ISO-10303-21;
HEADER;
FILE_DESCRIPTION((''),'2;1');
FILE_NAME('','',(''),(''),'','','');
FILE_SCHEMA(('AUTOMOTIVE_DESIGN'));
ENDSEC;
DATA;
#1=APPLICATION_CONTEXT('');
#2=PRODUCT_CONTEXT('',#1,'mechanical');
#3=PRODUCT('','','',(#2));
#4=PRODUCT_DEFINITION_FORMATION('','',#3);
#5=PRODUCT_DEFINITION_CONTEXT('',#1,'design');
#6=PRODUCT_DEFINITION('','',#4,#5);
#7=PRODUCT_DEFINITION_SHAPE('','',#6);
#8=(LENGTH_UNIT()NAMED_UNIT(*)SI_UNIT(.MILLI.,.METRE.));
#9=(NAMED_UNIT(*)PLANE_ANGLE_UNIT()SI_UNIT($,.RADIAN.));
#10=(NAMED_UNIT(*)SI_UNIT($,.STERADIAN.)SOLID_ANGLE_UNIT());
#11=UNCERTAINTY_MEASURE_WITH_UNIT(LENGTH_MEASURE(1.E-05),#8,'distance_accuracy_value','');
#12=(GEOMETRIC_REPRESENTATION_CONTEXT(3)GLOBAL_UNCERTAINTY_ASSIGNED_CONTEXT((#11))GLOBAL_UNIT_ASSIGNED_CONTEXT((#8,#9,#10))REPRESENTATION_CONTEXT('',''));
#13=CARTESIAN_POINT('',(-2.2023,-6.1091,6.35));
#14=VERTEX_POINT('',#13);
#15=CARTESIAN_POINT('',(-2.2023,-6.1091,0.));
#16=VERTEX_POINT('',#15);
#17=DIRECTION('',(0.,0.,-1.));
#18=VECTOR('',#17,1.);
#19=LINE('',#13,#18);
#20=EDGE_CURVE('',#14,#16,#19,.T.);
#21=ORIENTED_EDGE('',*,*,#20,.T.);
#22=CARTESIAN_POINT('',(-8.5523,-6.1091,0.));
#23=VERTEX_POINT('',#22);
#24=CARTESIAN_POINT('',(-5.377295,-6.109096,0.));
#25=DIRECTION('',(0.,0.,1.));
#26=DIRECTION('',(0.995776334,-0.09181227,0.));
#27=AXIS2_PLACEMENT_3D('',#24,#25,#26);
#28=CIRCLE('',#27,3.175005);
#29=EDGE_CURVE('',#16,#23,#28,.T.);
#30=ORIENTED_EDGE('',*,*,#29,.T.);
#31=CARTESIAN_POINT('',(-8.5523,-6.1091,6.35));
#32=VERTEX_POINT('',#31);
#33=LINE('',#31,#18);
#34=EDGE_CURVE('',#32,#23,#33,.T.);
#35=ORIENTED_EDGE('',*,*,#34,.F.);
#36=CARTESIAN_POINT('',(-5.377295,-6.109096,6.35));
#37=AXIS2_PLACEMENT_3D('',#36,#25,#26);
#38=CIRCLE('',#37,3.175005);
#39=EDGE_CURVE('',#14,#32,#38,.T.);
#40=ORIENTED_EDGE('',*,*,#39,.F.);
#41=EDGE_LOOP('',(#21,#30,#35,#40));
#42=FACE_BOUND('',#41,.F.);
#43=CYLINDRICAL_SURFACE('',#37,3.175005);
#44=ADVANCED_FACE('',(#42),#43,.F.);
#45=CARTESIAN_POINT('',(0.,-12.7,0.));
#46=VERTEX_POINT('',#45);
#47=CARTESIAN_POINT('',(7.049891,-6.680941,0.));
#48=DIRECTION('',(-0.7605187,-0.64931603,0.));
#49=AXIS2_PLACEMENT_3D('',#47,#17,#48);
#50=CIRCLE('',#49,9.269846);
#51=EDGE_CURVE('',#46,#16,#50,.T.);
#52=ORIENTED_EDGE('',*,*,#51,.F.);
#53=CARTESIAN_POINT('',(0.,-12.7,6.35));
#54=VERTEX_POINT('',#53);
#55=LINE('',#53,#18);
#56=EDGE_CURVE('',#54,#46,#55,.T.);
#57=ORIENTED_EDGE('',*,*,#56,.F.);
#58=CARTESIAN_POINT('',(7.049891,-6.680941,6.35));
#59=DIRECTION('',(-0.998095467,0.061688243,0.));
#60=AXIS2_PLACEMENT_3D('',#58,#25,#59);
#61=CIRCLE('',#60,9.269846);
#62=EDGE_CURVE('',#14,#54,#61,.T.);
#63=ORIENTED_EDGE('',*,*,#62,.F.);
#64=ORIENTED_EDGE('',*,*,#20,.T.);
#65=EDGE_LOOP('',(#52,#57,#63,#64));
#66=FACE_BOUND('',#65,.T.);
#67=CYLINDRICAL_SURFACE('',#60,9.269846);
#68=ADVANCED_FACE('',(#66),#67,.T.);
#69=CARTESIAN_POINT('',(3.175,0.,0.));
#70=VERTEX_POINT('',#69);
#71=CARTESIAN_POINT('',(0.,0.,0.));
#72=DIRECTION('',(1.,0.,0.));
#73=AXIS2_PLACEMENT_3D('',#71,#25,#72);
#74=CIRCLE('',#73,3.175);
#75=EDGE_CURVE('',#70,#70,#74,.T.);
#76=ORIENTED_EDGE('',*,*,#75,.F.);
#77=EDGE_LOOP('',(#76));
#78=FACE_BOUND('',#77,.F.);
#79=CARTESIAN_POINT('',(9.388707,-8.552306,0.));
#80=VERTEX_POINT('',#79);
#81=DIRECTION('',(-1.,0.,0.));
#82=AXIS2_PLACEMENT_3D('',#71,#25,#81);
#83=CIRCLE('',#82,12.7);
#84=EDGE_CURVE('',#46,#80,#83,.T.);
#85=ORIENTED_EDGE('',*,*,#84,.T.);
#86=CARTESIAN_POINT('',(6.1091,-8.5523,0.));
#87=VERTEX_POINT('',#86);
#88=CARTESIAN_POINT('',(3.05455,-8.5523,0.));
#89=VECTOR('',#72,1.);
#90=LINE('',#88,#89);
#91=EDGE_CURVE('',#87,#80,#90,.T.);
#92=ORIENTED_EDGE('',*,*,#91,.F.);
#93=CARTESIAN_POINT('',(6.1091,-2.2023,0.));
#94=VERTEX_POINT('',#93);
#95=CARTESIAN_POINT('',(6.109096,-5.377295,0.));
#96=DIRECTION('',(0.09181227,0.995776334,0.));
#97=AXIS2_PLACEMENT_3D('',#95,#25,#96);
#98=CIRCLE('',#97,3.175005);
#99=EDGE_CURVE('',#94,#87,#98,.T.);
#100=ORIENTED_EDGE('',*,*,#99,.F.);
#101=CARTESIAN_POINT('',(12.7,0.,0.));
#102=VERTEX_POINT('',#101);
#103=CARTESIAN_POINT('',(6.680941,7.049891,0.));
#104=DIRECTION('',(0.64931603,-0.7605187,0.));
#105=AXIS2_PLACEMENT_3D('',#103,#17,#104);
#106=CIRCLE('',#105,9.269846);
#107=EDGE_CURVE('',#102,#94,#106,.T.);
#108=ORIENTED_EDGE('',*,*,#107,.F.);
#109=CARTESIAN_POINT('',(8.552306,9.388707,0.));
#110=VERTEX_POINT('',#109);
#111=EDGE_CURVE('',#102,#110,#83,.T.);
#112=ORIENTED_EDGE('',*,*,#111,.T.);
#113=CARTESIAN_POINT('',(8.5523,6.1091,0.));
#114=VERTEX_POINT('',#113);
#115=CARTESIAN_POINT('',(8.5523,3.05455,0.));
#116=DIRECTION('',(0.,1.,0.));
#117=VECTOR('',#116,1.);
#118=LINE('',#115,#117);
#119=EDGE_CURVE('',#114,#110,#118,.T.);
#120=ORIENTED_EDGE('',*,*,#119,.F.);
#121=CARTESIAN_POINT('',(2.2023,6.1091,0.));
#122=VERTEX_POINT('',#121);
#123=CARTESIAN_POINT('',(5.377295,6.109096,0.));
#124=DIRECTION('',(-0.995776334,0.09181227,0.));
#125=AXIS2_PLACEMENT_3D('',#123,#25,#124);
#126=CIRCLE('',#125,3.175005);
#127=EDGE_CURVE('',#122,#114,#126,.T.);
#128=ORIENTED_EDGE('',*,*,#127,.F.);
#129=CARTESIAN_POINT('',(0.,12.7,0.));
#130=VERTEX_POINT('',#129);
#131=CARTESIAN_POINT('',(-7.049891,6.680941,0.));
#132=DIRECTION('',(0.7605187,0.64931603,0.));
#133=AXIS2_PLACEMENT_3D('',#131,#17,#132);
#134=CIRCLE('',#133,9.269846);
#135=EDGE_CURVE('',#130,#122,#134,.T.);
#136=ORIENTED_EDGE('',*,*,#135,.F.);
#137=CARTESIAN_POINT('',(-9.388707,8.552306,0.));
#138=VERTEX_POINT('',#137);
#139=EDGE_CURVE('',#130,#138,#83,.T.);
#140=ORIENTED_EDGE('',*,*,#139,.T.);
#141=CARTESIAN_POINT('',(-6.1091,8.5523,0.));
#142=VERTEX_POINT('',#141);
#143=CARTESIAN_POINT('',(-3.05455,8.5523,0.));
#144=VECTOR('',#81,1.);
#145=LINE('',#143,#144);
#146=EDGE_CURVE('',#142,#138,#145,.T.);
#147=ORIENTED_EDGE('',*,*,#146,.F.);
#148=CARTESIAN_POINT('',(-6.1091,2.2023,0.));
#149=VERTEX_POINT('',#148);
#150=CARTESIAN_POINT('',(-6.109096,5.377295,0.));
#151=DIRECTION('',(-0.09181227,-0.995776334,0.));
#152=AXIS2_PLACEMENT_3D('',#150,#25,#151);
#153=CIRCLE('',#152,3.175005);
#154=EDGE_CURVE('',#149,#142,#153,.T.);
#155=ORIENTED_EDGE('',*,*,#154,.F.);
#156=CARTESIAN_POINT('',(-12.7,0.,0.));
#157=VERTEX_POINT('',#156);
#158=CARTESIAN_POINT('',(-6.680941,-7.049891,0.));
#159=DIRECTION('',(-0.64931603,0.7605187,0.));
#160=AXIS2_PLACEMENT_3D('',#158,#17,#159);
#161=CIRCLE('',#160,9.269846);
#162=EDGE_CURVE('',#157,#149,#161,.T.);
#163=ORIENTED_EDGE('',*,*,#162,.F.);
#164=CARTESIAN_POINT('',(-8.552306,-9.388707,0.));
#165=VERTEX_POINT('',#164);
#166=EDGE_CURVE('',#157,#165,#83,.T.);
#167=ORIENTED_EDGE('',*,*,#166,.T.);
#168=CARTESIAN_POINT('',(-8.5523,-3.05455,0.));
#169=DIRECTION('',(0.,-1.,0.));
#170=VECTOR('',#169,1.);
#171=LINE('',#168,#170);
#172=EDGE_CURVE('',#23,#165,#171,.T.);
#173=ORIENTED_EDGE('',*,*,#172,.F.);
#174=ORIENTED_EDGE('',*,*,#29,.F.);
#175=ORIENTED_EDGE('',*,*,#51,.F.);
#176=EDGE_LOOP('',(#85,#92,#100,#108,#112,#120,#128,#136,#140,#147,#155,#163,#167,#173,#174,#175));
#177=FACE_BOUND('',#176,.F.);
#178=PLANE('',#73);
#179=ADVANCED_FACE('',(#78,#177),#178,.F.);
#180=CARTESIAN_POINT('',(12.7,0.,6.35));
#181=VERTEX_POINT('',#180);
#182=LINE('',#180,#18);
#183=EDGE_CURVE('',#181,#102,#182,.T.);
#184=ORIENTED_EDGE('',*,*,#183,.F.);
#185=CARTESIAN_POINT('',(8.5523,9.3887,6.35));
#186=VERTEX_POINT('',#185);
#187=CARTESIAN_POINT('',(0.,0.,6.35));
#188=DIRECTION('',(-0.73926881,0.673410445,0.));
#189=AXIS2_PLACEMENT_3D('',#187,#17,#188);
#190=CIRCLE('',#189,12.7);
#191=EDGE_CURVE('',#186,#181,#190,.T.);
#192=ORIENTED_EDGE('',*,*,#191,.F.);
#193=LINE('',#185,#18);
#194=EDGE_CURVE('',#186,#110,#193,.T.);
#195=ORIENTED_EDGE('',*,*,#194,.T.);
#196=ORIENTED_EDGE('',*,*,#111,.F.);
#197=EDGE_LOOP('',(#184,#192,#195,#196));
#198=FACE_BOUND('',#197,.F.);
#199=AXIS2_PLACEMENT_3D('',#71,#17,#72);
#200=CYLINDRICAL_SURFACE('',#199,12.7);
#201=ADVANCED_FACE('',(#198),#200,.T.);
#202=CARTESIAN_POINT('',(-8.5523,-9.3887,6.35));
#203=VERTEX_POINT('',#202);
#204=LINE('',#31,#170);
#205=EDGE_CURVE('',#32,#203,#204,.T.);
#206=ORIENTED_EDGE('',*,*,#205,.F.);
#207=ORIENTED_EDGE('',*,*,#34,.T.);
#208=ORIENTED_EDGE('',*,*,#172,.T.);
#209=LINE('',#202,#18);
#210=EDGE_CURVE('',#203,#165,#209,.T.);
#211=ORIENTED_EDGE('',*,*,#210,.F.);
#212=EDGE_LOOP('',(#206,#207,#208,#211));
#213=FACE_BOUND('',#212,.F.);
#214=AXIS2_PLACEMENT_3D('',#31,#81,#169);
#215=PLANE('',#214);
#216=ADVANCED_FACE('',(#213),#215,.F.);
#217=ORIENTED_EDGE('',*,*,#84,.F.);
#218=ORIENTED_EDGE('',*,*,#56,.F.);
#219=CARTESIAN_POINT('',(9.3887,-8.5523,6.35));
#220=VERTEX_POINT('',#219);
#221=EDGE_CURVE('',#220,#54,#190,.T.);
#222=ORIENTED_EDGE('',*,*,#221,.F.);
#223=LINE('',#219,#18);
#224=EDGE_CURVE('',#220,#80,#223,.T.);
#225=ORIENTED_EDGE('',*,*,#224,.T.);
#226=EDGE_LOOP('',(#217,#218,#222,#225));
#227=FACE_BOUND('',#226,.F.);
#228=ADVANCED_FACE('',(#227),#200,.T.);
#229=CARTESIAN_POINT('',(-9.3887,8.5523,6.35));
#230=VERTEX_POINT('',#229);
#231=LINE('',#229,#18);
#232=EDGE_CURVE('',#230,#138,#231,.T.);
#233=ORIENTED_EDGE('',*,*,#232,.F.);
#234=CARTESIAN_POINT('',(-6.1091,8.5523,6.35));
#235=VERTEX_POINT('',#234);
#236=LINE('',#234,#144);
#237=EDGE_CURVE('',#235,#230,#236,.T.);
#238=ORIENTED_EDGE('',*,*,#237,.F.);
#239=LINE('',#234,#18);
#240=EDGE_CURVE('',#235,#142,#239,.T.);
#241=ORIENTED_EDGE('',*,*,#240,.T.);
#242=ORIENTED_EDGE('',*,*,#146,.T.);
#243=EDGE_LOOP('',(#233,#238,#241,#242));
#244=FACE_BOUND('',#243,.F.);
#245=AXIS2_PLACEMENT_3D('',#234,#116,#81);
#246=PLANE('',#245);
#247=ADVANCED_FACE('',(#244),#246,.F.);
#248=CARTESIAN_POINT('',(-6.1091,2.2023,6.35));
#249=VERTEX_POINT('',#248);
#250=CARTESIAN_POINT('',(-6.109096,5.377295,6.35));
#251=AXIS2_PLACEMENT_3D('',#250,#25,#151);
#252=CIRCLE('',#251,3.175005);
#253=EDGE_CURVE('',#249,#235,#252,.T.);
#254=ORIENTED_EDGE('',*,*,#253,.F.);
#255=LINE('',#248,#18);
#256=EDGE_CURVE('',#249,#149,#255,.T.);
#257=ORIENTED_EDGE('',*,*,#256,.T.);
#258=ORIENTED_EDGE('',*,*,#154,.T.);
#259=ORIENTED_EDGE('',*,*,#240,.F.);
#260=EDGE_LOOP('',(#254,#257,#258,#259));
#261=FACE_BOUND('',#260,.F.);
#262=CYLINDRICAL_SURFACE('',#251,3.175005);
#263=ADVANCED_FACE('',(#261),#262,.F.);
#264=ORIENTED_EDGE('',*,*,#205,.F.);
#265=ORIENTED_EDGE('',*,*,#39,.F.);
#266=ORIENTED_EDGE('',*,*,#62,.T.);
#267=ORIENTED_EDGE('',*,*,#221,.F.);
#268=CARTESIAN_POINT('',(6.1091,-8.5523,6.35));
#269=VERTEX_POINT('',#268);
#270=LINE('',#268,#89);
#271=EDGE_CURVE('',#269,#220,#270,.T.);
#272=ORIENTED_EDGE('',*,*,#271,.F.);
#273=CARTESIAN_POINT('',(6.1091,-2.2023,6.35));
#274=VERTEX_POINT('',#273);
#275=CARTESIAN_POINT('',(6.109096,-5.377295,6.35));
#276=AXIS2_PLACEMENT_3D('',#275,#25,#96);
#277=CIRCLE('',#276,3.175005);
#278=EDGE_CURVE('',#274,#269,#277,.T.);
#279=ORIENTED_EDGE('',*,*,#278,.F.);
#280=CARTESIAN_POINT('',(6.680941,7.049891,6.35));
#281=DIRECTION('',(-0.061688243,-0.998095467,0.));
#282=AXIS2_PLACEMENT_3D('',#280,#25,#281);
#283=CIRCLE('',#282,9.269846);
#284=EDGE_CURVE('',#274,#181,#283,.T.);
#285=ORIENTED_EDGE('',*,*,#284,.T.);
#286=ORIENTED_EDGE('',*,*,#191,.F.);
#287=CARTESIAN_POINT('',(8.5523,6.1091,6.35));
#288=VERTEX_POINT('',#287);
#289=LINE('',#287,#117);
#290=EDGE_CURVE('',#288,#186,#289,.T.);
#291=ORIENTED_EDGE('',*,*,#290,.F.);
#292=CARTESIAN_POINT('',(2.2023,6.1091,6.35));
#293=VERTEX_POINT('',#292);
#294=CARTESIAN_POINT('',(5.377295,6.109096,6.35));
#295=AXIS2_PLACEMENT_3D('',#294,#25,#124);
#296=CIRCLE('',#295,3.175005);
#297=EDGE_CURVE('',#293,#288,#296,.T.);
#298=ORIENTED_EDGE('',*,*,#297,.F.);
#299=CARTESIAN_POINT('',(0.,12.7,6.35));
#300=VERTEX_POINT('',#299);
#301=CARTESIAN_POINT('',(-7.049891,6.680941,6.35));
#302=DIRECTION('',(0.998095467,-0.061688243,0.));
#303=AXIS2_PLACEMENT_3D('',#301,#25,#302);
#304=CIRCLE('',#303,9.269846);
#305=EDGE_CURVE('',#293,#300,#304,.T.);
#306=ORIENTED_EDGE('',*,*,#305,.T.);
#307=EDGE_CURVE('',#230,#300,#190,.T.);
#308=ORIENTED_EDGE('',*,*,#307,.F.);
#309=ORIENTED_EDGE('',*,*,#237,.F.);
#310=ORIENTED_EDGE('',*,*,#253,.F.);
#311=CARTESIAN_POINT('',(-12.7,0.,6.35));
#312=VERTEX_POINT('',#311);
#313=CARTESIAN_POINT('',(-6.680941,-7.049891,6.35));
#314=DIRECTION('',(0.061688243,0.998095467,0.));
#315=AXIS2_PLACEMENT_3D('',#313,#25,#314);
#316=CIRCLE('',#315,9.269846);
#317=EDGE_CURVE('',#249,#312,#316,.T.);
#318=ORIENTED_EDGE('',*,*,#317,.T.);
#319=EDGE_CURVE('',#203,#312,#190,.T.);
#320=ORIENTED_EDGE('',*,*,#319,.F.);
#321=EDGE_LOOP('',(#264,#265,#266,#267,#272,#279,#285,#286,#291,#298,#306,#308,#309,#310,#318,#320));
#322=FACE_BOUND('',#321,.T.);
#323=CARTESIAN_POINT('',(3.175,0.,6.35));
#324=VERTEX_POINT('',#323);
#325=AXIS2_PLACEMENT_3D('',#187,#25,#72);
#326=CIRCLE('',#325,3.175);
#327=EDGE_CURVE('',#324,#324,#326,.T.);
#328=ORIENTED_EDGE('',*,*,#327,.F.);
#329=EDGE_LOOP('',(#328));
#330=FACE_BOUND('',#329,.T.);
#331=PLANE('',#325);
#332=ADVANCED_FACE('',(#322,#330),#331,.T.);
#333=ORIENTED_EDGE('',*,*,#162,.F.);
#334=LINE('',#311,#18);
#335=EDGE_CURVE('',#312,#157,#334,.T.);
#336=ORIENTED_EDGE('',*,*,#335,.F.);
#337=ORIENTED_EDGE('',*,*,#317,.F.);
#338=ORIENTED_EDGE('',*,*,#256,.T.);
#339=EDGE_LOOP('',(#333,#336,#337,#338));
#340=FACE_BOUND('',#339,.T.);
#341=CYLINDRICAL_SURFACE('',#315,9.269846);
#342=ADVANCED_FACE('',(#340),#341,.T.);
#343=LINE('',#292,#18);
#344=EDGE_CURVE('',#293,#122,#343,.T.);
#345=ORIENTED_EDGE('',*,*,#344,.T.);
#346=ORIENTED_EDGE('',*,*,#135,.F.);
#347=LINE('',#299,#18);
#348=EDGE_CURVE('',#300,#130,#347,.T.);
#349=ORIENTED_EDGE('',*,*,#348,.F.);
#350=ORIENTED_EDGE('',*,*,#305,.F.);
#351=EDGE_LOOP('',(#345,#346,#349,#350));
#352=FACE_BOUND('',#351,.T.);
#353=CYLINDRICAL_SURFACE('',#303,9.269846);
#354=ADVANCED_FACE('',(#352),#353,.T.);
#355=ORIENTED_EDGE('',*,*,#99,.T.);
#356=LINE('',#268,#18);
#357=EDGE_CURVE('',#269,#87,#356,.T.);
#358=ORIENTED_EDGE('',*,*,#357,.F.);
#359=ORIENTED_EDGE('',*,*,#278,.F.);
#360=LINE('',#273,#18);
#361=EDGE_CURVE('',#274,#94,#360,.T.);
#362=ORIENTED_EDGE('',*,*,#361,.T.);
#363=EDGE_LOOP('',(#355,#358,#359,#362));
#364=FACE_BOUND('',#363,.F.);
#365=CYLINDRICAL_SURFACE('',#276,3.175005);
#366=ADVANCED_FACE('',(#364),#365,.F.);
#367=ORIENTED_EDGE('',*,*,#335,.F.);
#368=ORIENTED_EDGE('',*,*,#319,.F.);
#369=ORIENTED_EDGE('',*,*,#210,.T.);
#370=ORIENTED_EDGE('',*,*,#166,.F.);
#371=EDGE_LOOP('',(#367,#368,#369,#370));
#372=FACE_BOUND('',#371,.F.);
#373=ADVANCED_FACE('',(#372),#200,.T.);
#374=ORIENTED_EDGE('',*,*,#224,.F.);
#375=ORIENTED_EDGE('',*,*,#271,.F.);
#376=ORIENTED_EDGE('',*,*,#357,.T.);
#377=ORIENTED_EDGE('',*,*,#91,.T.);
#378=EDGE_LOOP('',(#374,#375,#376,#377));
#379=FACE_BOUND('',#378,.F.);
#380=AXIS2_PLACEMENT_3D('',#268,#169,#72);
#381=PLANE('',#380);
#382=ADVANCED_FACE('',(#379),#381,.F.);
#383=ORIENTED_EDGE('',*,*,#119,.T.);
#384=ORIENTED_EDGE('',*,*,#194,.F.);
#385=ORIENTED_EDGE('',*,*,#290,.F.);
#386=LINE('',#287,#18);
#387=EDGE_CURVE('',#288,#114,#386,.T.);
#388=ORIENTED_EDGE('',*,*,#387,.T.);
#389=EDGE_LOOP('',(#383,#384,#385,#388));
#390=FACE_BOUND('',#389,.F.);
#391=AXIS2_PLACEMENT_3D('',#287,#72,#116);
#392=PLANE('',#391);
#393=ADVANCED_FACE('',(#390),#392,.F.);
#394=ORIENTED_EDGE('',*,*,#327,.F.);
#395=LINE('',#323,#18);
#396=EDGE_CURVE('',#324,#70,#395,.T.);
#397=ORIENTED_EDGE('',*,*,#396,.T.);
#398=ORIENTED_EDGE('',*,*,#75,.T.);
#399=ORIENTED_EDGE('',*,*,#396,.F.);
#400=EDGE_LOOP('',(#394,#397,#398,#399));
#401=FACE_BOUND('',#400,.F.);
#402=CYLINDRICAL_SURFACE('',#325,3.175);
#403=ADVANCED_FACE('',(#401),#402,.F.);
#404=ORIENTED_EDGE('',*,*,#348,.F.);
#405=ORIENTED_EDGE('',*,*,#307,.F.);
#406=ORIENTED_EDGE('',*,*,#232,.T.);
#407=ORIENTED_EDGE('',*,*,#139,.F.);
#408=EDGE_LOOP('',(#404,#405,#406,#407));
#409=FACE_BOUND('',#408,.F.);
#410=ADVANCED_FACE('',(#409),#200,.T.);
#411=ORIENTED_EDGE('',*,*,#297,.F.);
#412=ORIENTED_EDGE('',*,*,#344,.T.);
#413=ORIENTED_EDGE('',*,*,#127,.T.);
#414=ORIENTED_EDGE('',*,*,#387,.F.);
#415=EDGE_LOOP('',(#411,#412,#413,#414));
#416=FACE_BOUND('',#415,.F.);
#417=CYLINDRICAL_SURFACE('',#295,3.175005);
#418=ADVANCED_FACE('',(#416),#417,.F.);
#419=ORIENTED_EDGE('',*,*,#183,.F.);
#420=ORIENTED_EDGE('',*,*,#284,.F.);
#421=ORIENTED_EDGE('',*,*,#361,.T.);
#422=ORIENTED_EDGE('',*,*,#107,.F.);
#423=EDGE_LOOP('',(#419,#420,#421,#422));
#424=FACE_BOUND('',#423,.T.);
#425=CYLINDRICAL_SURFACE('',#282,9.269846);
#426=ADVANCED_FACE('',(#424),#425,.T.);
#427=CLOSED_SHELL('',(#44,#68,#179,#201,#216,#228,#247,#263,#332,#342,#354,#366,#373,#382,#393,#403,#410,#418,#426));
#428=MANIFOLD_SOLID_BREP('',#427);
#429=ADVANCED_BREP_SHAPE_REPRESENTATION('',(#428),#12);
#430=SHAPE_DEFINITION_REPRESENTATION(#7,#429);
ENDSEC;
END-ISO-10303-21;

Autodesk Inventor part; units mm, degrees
ref_plane "YZ Plane" through (0, 0, 0) normal (1, 0, 0) x (0, 1, 0)
ref_plane "XZ Plane" through (0, 0, 0) normal (0, 1, 0) x (-1, 0, 0)
ref_plane "XY Plane" through (0, 0, 0) normal (0, 0, 1) x (1, 0, 0)
sketch "Sketch1" plane through (0, 0, 0) normal (0, 0, 1) x (1, 0, 0)
  circle A0 centre (0, 0) radius 12.7
  dimension "d0" = 25.4
extrude "Extrusion1" add sketch "Sketch1" along normal blind 6.35
sketch "Sketch2" plane through (0, 0, 6.35) normal (0, 0, 1) x (1, 0, 0)
  circle A0 centre (0, 0) radius 12.7 projected
  arc A1 (-6.4006, 2.2157) -> (-6.1091, 8.5523) centre (-6.1091, 5.3773) ccw
  line L0 (-6.1091, 8.5523) -> (-9.3887, 8.5523)
  arc A2 (-6.1091, 2.2023) -> (-12.7, 0) centre (-6.6809, -7.0502) ccw
  dimension "d3" = 6.35
extrude "Extrusion2" cut sketch "Sketch2" against normal blind 50.8 contours L0 A1 A2 A0 picked at (-7.9, 5.5911)
pattern_circular "Circular Pattern1" count 4 over 360 about axis through (0, 0, -10) along (0, 0, 1) of "Extrusion2"
sketch "Sketch3" plane through (0, 0, 6.35) normal (0, 0, 1) x (1, 0, 0)
  arc A0 (12.7, 0) -> (8.5523, 9.3887) centre (0, 0) ccw projected
  circle A1 centre (0, 0) radius 3.175
  dimension "d9" = 6.35
extrude "Extrusion3" cut sketch "Sketch3" against normal blind 50.8
properties part number "ratchet"
